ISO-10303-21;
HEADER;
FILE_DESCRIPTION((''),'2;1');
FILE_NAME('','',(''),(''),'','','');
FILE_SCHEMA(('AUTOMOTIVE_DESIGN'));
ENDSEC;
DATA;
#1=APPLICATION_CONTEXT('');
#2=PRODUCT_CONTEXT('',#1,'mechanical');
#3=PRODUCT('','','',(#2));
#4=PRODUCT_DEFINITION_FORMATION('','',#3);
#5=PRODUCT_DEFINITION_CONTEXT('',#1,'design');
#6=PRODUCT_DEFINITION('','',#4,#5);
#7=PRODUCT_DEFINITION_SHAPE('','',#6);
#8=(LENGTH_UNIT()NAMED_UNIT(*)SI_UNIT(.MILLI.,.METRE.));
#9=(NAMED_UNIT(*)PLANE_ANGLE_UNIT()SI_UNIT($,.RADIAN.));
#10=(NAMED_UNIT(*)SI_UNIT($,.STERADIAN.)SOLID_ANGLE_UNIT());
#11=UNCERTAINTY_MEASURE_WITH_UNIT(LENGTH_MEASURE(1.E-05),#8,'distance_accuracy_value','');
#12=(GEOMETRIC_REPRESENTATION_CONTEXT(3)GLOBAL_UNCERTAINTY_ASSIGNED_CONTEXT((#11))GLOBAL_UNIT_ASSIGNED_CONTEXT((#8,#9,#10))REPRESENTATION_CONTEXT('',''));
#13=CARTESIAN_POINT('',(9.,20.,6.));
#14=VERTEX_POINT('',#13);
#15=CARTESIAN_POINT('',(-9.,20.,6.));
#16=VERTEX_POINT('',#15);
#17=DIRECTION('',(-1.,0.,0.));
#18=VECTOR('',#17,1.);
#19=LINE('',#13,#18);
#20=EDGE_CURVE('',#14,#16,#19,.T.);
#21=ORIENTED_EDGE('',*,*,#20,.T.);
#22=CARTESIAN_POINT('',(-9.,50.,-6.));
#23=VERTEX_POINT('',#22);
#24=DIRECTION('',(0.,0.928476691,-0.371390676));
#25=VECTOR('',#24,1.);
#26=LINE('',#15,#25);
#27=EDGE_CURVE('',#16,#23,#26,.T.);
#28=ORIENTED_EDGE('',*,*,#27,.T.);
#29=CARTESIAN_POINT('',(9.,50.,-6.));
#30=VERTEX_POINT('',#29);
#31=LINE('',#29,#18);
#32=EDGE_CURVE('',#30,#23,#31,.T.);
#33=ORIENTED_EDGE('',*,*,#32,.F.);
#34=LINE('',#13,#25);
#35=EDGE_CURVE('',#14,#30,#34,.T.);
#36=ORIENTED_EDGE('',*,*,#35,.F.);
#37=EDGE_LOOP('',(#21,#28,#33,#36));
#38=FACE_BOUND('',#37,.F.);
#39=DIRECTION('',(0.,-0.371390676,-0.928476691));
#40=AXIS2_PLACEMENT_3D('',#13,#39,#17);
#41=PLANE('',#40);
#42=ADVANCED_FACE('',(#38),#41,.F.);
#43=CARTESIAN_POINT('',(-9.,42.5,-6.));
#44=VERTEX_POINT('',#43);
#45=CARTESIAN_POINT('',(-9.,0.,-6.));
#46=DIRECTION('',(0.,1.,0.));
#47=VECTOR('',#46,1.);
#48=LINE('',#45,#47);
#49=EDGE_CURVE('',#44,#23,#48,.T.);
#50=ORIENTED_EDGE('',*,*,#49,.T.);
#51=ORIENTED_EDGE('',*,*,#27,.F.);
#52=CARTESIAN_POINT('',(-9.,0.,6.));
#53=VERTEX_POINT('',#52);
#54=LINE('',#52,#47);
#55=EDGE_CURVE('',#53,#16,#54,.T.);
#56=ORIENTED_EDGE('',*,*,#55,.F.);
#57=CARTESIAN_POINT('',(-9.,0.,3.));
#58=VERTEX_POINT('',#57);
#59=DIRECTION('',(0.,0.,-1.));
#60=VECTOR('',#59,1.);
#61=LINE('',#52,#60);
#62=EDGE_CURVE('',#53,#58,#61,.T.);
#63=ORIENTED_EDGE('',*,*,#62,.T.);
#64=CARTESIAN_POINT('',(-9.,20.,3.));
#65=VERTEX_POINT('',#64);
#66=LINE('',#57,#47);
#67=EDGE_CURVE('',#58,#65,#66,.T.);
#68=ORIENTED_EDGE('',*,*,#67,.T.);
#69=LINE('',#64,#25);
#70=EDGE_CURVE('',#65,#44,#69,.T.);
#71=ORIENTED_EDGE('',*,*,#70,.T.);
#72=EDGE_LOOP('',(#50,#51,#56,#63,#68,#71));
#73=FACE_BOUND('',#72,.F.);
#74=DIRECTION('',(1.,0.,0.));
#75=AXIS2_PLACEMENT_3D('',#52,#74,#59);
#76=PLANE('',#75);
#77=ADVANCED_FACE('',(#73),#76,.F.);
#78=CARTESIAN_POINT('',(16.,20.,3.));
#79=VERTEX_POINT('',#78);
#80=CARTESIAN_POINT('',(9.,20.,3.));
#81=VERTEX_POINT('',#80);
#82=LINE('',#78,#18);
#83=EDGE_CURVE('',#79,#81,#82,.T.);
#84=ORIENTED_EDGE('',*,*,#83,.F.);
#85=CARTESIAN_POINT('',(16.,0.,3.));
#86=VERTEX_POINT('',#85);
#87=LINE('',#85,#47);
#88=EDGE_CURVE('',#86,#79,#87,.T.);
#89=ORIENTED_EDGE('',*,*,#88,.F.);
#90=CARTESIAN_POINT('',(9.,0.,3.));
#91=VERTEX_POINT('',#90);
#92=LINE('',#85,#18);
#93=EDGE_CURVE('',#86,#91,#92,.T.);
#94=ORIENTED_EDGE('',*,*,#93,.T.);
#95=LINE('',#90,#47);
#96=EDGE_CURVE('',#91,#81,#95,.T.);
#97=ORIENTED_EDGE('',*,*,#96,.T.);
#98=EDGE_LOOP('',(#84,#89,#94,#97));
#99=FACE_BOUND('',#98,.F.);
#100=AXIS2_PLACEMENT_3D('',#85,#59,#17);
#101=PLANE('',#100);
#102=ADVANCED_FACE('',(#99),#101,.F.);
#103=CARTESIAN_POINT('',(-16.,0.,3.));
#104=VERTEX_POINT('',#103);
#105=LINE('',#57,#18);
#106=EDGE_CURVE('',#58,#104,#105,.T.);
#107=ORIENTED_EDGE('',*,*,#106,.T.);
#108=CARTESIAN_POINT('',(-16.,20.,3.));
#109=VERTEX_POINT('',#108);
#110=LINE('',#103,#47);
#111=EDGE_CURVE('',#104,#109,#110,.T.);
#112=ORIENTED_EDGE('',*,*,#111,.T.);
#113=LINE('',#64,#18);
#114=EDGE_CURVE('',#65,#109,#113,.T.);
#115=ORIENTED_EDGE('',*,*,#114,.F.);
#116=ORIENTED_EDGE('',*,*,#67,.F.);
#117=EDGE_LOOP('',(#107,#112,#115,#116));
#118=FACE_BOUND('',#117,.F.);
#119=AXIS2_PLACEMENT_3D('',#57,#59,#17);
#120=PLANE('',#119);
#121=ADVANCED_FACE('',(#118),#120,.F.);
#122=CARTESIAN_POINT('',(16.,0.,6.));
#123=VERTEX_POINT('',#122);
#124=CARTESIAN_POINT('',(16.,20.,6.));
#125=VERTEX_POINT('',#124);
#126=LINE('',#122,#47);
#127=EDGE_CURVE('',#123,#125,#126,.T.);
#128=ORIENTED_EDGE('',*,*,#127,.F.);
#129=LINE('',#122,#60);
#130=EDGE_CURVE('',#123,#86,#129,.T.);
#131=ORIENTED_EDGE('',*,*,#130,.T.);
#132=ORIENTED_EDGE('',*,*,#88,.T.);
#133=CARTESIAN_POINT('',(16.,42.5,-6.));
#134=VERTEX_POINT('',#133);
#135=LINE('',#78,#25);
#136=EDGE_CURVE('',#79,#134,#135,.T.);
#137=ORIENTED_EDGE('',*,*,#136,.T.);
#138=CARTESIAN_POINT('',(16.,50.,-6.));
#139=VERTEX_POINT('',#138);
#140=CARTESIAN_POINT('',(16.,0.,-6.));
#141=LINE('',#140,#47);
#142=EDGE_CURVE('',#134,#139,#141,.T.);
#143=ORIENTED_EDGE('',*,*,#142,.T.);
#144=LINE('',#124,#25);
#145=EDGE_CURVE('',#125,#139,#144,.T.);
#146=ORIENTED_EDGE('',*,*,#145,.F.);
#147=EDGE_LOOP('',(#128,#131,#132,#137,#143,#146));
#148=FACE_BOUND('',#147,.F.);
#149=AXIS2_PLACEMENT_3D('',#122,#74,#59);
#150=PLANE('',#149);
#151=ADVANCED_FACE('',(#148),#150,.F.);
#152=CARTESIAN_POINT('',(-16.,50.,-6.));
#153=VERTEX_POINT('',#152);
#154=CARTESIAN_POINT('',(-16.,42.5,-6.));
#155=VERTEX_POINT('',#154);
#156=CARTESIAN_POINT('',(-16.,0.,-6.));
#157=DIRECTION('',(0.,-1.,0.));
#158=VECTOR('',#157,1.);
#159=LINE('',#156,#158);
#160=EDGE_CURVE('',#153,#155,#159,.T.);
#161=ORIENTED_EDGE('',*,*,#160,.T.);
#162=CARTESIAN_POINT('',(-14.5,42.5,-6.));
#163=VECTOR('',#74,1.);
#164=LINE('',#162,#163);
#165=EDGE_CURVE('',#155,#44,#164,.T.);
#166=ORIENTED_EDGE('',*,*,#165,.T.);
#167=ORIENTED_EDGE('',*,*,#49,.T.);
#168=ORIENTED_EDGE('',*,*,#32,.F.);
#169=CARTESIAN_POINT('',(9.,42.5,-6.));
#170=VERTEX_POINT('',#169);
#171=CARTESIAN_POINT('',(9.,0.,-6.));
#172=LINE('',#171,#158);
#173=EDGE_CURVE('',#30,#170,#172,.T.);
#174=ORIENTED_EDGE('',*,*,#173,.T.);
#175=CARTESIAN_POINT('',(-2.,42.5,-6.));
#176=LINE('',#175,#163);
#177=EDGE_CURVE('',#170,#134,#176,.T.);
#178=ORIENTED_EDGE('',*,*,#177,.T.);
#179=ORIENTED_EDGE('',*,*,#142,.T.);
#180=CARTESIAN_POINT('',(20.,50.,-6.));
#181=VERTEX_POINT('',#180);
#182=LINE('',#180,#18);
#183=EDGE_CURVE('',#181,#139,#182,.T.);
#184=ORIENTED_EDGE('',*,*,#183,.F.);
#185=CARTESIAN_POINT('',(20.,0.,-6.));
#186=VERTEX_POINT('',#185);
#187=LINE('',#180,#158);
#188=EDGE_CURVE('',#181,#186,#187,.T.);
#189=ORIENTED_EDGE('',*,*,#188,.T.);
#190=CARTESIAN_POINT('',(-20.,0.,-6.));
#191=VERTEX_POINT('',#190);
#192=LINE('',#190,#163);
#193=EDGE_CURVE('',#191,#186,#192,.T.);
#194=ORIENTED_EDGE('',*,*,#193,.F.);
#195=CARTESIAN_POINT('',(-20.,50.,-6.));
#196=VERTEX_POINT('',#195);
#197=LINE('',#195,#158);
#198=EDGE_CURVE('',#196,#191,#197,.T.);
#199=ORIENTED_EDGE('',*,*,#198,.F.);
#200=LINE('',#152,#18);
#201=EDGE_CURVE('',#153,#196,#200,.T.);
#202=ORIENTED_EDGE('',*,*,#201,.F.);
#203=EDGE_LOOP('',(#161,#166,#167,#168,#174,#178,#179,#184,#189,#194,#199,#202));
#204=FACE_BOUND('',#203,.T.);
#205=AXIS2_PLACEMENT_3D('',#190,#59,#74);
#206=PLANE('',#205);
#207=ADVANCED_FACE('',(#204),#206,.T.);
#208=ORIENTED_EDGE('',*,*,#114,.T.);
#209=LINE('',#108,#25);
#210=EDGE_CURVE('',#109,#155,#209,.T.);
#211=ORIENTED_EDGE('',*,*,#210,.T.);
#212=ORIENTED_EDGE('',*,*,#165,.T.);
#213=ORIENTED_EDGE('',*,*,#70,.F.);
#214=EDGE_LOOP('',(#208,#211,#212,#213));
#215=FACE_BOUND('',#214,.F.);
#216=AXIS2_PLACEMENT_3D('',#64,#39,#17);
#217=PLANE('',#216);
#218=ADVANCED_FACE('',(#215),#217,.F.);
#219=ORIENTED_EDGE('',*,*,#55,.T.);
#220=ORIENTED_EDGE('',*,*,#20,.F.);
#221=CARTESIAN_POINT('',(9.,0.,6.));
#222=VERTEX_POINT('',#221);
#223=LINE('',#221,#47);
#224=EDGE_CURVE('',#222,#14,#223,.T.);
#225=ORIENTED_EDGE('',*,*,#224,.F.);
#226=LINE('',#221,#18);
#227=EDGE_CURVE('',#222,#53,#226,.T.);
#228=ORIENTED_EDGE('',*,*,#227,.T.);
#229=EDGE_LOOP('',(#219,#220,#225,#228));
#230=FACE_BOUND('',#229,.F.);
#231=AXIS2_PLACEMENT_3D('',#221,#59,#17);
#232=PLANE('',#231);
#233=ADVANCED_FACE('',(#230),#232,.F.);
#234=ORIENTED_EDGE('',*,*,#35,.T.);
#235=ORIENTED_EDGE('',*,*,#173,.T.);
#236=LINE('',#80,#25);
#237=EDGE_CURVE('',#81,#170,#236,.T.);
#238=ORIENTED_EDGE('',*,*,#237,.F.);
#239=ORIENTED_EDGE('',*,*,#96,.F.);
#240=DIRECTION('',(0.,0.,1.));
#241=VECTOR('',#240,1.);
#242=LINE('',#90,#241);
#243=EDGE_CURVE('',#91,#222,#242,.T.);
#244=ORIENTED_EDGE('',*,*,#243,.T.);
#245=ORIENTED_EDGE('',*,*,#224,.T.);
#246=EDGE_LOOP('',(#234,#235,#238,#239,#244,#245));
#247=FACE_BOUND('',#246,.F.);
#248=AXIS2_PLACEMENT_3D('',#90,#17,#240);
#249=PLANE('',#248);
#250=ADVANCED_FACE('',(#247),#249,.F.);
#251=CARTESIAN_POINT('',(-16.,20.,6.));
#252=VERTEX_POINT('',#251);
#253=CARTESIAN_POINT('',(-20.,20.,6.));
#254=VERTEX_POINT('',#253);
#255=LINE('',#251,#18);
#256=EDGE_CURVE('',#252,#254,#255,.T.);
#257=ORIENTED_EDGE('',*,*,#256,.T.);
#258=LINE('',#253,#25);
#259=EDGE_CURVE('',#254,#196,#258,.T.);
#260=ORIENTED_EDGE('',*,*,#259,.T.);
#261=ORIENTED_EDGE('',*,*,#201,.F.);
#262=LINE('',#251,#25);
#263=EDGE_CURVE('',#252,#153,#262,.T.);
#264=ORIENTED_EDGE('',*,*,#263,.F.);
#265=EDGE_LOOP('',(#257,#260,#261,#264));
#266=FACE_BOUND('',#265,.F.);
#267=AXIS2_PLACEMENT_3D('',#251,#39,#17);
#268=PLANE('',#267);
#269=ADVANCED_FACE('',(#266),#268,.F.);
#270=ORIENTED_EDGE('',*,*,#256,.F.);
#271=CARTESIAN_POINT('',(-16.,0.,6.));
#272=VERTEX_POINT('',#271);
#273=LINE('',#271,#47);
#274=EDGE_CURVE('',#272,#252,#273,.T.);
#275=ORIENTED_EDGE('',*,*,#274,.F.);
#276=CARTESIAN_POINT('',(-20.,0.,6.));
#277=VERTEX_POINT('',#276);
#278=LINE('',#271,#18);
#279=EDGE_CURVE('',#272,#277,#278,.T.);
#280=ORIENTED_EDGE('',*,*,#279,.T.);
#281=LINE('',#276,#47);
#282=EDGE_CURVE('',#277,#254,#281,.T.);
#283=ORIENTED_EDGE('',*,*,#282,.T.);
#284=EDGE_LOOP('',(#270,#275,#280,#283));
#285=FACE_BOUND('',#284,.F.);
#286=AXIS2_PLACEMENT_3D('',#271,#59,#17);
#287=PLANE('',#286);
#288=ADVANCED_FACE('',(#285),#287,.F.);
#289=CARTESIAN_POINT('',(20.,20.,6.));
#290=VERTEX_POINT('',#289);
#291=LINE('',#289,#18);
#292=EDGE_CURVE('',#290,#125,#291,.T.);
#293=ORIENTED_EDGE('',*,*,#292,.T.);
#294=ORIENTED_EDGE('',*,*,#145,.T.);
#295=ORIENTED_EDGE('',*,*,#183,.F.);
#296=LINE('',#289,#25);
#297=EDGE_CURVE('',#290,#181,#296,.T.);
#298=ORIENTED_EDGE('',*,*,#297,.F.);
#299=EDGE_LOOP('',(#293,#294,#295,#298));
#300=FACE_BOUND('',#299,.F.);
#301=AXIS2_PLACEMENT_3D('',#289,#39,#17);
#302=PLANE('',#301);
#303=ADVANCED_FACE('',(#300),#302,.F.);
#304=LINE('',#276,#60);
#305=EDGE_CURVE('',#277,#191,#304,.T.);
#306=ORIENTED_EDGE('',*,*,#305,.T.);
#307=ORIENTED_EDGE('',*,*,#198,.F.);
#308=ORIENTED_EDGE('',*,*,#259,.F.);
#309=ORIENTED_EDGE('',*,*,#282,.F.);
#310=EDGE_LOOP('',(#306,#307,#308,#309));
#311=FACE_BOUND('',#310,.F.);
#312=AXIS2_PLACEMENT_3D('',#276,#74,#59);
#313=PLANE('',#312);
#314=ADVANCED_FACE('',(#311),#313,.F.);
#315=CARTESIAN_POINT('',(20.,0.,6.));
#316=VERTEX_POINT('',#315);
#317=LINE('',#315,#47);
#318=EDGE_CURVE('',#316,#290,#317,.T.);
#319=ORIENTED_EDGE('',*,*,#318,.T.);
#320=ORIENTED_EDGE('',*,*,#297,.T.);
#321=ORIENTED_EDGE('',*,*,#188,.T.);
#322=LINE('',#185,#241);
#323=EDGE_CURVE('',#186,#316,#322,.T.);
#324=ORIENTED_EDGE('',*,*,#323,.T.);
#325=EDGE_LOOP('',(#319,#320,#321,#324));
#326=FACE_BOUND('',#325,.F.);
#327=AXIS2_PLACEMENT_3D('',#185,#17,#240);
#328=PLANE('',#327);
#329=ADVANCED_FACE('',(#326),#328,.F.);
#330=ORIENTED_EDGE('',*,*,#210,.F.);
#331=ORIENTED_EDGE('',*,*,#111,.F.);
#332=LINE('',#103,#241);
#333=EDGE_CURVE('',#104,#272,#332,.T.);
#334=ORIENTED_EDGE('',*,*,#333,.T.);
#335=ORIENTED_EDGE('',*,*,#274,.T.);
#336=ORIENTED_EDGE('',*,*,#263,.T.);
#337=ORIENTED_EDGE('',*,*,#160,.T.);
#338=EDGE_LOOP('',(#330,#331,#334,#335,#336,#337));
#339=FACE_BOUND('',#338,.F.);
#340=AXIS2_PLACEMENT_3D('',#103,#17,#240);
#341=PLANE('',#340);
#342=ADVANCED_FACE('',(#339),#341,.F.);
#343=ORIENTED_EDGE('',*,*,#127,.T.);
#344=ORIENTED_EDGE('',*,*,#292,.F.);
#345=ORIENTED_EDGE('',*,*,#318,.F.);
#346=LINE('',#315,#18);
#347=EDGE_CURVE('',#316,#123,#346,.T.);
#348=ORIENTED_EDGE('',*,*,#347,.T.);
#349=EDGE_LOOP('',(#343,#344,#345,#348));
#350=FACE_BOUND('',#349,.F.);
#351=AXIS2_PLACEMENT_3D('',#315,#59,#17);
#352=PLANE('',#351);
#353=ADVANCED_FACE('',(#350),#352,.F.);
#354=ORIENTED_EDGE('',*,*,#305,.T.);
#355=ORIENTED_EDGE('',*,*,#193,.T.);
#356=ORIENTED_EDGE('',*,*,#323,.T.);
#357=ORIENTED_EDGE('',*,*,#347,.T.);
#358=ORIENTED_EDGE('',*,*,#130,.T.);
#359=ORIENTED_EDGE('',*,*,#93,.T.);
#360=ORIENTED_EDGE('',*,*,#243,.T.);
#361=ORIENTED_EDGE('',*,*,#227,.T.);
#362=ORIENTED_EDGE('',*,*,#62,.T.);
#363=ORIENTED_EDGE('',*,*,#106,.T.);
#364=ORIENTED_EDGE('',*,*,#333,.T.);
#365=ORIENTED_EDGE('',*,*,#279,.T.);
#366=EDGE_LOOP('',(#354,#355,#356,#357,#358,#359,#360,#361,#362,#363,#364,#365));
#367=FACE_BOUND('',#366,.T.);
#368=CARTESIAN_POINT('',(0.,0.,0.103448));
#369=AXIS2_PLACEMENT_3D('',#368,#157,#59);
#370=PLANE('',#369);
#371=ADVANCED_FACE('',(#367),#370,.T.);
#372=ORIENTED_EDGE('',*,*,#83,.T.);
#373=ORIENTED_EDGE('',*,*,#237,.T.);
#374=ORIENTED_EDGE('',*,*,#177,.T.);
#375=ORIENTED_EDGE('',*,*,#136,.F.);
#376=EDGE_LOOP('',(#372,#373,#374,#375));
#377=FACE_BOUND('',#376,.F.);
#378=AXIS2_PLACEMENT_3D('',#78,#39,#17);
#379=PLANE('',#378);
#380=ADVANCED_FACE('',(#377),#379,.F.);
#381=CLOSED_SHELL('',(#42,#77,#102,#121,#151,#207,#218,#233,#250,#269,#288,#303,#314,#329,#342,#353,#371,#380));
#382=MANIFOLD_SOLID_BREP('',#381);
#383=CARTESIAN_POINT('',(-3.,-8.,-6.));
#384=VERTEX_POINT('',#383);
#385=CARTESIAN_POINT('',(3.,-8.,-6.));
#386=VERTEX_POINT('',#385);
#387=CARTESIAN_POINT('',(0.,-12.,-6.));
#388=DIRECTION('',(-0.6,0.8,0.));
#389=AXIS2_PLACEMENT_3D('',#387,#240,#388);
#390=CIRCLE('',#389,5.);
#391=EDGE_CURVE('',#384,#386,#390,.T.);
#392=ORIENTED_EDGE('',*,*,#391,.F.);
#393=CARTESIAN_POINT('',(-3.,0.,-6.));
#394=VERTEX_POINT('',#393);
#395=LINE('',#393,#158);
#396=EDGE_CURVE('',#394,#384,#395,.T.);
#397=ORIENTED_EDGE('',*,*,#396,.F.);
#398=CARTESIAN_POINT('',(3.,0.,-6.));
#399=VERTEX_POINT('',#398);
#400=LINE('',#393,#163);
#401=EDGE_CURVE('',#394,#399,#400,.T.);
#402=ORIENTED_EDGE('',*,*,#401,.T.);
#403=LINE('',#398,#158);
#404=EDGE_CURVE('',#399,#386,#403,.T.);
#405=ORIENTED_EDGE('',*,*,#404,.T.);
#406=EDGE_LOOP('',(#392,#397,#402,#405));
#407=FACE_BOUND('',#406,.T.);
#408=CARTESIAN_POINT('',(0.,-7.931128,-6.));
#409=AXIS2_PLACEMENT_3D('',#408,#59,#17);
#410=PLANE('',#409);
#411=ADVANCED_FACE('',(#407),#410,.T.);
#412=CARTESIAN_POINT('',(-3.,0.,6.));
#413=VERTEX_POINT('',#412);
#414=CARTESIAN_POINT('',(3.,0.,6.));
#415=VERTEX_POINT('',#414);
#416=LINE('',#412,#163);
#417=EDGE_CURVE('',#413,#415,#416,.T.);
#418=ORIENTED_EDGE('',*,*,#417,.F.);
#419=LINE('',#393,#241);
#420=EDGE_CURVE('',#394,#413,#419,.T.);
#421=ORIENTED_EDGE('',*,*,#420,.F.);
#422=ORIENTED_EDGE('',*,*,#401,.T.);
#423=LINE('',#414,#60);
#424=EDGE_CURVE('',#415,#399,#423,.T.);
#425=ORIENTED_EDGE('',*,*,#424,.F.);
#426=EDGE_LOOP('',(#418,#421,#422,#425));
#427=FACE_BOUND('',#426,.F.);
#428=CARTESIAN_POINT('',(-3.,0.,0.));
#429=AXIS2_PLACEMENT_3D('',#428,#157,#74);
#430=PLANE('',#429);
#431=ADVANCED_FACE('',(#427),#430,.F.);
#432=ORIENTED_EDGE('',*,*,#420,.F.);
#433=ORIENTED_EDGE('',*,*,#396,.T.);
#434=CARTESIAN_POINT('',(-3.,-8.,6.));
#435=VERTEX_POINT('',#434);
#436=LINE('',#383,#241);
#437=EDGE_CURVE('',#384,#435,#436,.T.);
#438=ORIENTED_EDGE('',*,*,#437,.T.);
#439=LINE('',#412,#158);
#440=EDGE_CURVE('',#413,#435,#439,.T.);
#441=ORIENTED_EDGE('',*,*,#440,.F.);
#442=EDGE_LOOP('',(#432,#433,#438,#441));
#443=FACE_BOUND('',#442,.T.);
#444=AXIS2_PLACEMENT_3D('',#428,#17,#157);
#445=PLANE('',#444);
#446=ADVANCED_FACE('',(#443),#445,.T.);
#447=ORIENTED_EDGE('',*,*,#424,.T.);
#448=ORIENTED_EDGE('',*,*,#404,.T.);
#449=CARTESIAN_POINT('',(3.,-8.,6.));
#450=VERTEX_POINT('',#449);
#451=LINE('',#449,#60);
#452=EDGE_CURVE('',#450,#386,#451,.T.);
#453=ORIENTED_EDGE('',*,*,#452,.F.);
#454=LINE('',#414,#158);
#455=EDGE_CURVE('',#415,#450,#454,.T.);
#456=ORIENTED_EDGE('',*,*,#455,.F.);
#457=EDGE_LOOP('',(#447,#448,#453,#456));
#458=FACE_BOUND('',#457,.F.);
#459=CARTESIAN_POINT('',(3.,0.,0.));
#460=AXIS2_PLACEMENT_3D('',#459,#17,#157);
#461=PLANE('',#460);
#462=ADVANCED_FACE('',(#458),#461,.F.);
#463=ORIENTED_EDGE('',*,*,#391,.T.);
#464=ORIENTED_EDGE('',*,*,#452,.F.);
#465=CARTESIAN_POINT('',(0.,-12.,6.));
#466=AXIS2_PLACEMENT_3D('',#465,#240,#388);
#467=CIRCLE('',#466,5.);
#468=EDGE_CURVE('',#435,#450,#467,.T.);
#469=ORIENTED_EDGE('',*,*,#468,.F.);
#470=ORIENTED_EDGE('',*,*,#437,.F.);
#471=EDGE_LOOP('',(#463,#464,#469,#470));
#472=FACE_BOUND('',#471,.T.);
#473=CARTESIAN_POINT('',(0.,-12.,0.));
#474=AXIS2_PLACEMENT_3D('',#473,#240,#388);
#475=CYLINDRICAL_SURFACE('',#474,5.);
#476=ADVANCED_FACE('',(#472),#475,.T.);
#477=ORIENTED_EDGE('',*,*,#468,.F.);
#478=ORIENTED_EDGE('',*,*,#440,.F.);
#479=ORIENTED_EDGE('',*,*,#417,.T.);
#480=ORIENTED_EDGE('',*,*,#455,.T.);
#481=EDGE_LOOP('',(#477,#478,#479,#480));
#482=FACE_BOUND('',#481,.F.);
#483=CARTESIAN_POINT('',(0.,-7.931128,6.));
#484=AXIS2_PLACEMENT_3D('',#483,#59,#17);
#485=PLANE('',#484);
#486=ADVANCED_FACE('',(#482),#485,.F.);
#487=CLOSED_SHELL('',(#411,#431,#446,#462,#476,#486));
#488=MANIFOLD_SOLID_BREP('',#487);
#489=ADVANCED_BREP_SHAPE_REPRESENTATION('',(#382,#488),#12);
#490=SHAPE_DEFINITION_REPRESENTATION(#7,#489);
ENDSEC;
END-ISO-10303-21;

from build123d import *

# Parameters (mm, degrees)
SKETCH002_W  = 40
SKETCH002_H  = 12
POCKET_DEPTH = 50.001
PAD_DEPTH    = 6


with BuildPart() as body:
    # AdditivePipe: sweep along a path in Sketch
    with BuildLine(Plane.YZ) as additivepipe_path:
        Line((0, 0), (20, 0))
        Line((20, 0), (50, -12))
    # Sketch001 → AdditivePipe (sweep)
    with BuildSketch(Plane.XZ):
        Polygon((-20, 6), (-20, -6), (20, -6), (20, 6), (16, 6), (16, 3), (9, 3), (9, 6), (-9, 6), (-9, 3), (-16, 3), (-16, 6), align=None)
    sweep(path=additivepipe_path.line)

    # Sketch002 → Pocket (cut, through all)
    with BuildSketch(Plane.XZ):
        with Locations((0, -12)):
            Rectangle(SKETCH002_W, SKETCH002_H)
    extrude(amount=-POCKET_DEPTH, mode=Mode.SUBTRACT)


with BuildPart() as body001:
    # Sketch003 → Pad (new body, symmetric)
    with BuildSketch(Plane.XY):
        with BuildLine():
            Line((-3, 0), (3, 0))
            Line((3, 0), (3, -8))
            ThreePointArc((-3, -8), (0, -17), (3, -8))
            Line((-3, 0), (-3, -8))
        make_face()
    extrude(amount=PAD_DEPTH, both=True)


solid = Compound([body.part, body001.part])
